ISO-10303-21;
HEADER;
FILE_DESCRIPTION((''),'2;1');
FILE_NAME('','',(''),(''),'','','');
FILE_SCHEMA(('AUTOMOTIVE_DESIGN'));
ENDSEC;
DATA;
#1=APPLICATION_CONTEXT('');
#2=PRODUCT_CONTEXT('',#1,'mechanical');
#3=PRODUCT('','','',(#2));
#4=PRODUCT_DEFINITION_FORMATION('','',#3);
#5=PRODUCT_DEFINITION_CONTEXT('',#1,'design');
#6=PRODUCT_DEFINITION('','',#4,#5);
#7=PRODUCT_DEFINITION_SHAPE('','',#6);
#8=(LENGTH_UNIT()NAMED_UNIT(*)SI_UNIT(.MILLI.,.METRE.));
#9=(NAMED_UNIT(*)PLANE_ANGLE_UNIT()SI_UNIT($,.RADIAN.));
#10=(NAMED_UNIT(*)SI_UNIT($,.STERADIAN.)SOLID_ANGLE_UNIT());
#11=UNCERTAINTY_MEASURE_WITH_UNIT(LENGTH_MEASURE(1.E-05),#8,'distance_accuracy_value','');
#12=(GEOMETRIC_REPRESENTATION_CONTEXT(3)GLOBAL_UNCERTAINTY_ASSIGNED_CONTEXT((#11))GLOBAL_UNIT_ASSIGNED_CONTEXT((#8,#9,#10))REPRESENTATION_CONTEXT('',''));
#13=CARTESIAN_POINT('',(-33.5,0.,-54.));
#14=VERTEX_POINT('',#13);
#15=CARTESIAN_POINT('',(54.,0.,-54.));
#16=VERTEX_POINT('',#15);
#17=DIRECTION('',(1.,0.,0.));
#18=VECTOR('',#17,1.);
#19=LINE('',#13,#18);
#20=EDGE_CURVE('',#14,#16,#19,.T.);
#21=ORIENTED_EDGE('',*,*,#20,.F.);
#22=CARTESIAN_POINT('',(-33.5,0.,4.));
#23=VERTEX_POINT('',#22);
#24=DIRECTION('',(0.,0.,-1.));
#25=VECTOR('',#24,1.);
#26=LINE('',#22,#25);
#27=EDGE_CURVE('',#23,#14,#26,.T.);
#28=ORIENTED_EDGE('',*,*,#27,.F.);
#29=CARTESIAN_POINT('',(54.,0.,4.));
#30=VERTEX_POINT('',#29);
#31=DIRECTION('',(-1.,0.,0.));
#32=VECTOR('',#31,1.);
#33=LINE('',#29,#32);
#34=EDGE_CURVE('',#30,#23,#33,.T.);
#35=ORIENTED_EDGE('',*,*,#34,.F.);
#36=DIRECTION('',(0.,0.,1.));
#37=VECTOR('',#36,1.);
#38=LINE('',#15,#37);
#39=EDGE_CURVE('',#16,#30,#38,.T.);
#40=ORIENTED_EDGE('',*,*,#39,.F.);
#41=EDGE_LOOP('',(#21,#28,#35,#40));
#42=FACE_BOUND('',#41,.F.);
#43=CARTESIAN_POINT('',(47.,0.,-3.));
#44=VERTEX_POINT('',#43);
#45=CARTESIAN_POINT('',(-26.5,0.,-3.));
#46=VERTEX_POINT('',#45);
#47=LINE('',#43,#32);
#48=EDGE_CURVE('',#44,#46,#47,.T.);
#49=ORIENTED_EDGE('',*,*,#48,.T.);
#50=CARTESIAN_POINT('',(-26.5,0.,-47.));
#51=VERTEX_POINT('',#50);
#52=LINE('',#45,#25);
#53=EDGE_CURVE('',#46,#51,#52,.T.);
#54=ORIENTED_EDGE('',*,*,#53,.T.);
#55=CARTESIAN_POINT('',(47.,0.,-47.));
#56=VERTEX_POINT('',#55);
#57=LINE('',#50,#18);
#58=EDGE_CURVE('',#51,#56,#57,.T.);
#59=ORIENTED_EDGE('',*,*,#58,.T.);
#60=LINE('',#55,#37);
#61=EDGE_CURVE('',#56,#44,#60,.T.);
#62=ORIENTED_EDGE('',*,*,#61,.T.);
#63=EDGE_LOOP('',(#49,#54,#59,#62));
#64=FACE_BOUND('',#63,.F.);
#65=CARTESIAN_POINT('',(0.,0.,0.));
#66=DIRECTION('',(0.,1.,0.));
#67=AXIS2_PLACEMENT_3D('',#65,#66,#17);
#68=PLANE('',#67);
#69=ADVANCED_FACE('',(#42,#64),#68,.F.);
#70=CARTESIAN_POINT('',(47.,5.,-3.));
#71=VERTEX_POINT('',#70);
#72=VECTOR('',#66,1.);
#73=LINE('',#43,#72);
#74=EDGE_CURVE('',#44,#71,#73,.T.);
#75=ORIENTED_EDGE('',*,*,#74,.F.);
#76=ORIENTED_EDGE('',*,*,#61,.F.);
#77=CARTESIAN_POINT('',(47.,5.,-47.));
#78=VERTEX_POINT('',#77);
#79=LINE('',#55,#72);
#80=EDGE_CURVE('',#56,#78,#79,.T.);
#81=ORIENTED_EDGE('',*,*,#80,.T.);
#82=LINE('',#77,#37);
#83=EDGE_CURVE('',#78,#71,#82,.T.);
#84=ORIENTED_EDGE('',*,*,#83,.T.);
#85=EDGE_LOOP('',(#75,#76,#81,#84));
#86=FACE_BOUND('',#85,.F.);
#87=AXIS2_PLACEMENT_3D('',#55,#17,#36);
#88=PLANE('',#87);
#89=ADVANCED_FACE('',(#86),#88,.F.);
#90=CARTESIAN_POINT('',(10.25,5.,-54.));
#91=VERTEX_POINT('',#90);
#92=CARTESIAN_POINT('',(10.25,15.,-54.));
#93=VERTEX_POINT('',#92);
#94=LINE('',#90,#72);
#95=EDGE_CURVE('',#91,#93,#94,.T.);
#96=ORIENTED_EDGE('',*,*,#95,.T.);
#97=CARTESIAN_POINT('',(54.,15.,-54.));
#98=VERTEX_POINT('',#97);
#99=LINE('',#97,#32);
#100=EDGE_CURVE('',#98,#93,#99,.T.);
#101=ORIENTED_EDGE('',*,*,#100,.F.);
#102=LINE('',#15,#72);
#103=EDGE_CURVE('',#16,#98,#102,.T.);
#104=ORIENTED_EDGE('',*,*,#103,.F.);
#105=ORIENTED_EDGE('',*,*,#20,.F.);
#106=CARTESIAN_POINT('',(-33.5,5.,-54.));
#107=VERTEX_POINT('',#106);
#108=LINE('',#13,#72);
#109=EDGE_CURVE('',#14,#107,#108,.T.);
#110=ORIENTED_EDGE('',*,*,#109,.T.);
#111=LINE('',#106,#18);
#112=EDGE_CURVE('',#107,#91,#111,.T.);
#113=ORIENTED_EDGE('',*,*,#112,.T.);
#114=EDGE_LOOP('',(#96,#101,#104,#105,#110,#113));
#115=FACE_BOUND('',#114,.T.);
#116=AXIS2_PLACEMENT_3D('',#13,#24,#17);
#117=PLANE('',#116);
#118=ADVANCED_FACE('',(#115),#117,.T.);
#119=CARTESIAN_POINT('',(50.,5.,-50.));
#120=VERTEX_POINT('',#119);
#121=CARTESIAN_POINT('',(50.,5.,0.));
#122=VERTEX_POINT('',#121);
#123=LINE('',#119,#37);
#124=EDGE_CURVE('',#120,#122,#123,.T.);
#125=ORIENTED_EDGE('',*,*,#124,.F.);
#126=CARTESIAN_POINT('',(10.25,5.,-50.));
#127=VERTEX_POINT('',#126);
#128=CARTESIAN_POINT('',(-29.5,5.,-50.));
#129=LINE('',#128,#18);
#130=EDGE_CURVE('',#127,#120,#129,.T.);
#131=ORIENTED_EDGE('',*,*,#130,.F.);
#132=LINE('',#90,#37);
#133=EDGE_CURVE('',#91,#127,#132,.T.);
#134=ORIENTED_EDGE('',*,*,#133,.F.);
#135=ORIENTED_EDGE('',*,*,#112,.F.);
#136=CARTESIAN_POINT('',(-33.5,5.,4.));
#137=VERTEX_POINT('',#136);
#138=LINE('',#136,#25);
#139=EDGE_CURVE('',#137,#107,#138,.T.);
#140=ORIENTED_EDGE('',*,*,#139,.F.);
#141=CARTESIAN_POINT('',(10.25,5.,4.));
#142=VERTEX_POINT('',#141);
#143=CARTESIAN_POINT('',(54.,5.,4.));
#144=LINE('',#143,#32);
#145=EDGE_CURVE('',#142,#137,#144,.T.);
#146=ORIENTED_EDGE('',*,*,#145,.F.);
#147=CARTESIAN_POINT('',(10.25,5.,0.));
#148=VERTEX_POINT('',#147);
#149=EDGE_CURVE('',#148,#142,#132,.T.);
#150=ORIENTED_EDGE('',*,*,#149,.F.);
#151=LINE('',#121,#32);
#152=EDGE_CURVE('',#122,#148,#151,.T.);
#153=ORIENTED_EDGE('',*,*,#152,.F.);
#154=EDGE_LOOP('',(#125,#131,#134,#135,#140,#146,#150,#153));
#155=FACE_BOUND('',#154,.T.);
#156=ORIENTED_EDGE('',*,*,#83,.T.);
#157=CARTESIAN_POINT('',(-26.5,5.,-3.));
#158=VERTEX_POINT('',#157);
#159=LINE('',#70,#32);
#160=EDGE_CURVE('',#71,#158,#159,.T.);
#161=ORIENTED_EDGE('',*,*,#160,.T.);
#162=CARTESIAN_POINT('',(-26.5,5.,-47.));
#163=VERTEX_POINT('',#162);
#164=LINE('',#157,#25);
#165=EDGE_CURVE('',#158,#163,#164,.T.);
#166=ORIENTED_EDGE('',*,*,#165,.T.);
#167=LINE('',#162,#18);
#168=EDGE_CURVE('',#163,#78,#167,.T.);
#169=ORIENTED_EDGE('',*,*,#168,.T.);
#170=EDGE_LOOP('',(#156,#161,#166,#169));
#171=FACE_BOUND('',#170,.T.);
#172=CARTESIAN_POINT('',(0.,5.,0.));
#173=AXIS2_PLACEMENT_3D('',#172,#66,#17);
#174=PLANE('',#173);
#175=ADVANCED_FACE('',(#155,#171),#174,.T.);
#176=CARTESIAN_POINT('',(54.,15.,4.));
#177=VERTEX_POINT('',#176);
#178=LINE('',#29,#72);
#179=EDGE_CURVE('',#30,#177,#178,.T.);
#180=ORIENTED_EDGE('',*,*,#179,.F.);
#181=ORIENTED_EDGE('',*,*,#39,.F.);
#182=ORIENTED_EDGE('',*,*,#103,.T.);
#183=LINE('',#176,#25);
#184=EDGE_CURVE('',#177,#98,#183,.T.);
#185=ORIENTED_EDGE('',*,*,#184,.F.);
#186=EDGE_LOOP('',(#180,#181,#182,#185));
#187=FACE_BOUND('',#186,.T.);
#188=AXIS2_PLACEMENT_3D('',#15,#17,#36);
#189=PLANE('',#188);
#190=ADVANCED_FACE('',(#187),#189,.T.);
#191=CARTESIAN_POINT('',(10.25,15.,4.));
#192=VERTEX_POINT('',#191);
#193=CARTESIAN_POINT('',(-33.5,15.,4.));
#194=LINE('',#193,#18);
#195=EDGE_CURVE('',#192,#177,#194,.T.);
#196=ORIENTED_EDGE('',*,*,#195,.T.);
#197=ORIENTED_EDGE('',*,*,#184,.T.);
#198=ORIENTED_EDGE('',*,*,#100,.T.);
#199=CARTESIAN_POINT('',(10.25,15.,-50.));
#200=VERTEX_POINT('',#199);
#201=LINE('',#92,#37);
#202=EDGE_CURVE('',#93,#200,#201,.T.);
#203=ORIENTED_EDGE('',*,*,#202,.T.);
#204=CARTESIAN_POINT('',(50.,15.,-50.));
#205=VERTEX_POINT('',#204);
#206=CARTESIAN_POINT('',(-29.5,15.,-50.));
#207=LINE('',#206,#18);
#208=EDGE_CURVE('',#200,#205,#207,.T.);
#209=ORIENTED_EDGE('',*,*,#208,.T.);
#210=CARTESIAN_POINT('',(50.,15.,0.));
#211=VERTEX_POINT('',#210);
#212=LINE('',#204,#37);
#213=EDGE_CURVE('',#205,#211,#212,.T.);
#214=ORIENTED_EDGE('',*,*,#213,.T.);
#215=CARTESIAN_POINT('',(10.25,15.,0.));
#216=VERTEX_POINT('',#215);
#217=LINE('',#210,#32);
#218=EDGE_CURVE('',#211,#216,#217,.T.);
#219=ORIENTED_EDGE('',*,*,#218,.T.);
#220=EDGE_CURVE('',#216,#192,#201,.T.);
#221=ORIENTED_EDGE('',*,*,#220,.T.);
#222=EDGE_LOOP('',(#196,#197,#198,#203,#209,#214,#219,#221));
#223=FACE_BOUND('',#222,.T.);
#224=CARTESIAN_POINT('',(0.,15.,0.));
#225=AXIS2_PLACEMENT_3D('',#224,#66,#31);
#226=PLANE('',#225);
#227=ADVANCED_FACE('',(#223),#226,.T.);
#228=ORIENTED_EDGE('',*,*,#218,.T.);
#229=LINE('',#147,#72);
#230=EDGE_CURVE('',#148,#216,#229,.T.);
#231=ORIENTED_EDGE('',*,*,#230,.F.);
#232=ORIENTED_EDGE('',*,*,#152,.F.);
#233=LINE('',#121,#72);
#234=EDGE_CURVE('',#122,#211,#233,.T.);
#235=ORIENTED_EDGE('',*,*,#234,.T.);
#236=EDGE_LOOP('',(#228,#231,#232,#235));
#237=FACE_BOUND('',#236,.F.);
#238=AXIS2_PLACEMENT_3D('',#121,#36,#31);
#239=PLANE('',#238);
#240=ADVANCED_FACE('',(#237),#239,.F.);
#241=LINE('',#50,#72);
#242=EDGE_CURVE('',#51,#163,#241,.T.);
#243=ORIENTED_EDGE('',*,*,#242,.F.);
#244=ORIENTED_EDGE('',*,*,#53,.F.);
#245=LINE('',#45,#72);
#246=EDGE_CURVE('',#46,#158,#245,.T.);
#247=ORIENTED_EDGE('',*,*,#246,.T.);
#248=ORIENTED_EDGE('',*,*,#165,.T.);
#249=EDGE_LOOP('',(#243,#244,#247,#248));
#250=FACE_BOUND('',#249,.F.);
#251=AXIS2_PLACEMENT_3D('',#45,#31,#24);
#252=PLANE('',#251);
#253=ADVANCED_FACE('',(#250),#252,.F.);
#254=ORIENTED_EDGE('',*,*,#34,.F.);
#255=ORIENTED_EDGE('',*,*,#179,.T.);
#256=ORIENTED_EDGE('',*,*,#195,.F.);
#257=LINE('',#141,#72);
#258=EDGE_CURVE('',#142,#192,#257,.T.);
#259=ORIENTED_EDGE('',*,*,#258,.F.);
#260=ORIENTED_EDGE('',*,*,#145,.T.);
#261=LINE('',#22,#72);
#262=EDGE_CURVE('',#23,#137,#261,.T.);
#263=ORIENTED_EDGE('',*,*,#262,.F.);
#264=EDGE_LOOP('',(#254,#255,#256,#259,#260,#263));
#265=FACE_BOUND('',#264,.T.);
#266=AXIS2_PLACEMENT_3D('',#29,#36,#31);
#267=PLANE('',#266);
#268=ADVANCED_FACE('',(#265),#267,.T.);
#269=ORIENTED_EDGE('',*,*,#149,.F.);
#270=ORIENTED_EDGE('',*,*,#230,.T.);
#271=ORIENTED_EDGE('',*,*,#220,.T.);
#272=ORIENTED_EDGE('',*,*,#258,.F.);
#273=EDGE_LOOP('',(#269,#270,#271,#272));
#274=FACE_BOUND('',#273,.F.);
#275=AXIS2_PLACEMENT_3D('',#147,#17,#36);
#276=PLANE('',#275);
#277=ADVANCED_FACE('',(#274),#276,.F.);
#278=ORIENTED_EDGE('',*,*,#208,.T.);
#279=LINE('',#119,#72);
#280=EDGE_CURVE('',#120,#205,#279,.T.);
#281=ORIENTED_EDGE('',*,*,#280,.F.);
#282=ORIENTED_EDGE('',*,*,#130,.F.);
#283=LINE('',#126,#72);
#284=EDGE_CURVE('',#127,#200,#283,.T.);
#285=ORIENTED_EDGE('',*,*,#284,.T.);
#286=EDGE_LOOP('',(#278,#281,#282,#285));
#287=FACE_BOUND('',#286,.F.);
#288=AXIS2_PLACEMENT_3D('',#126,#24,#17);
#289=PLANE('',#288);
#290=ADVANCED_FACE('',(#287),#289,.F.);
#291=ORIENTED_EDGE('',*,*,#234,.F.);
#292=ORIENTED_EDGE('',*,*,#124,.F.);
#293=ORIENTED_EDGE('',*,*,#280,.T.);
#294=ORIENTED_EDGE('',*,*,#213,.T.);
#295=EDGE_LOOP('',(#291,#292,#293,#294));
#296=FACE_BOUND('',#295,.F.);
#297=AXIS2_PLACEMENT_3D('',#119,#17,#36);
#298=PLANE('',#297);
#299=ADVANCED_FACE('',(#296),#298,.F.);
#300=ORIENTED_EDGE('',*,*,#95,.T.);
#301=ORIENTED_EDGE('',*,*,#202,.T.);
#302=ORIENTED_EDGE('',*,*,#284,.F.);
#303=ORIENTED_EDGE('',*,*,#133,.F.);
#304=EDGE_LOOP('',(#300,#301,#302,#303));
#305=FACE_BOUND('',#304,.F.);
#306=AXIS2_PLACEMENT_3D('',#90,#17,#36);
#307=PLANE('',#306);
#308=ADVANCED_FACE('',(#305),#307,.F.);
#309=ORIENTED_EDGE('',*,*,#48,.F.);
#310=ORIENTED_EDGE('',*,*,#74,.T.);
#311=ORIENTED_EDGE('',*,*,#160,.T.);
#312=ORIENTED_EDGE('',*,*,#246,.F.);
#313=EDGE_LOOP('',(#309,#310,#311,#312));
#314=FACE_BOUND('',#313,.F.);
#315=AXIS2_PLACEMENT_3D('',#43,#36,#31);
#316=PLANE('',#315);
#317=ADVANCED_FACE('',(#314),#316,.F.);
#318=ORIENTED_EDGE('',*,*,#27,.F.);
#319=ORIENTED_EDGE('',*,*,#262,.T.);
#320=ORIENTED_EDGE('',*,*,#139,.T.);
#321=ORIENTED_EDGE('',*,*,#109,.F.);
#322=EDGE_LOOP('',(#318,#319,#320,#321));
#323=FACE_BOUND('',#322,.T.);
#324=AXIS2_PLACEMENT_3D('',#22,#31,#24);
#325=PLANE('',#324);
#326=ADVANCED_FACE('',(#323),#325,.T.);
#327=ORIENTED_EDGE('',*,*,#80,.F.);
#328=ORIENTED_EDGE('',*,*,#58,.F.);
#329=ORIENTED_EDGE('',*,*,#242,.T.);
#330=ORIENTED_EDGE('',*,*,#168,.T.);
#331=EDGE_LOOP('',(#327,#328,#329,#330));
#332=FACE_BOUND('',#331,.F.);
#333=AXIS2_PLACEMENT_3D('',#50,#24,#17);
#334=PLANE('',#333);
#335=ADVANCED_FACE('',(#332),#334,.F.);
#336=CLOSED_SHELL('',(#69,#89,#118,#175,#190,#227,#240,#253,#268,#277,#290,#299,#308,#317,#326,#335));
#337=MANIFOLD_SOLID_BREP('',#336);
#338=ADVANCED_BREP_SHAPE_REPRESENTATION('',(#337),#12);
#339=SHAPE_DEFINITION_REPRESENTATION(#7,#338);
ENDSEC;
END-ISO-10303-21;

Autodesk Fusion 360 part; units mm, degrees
sketch "Sketch1" plane through (0, 0, 0) normal (0, 1, 0) x (1, 0, 0)
  line L0 (-29.5, 50) -> (50, 50)
  line L1 (50, 50) -> (50, 0)
  line L2 (50, 0) -> (-29.5, 0)
  line L3 (-29.5, 0) -> (-29.5, 50)
  line L4 (54, -4) -> (-33.5, -4)
  line L5 (-33.5, -4) -> (-33.5, 54)
  line L6 (-33.5, 54) -> (54, 54)
  line L7 (54, 54) -> (54, -4)
  line L8 (47, 3) -> (-26.5, 3)
  line L9 (-26.5, 3) -> (-26.5, 47)
  line L10 (-26.5, 47) -> (47, 47)
  line L11 (47, 47) -> (47, 3)
  dimension "d1" = 50
  dimension "d2" = 79.5
  dimension "d3" = -4
  dimension "d6" = 3
extrude "Extrude1" add sketch "Sketch1" along normal blind 5 contours L4 L5 L6 L7 makes body 1
extrude "Extrude2" add sketch "Sketch1" along normal blind 5 separate body contours L0 L1 L2 L3 makes body 2
sketch "Sketch2" plane through (0, 5, 0) normal (0, 1, 0) x (-1, 0, 0)
  line L0 (-50, 0) -> (29.5, 0)
  line L1 (29.5, 0) -> (29.5, -50)
  line L2 (29.5, -50) -> (-50, -50)
  line L3 (-50, -50) -> (-50, 0)
  line L4 (-54, -54) -> (33.5, -54)
  line L5 (33.5, -54) -> (33.5, 4)
  line L6 (33.5, 4) -> (-54, 4)
  line L7 (-54, 4) -> (-54, -54)
  line L8 (-10.25, -54) -> (-10.25, 4)
extrude "Extrude3" add sketch "Sketch2" along normal blind 10 contours L0 L2 L3 L4 L6 L7 L8 bodies 1 2
sketch "Sketch3" plane through (0, 5, 0) normal (0, 1, 0) x (-1, 0, 0)
  line L0 (-10.25, 4) -> (-10.25, 0)
  line L1 (-10.25, 0) -> (-50, 0)
  line L2 (-50, 0) -> (-50, -50)
  line L3 (-50, -50) -> (-10.25, -50)
  line L4 (-10.25, -50) -> (-10.25, -54)
  line L5 (-10.25, -54) -> (33.5, -54)
  line L6 (33.5, -54) -> (33.5, 4)
  line L7 (33.5, 4) -> (-10.25, 4)
  line L8 (26.5, -47) -> (-47, -47)
  line L9 (-47, -47) -> (-47, -3)
  line L10 (-47, -3) -> (26.5, -3)
  line L11 (26.5, -3) -> (26.5, -47)
  line L12 (-50, 0) -> (-50, -0.25)
  line L13 (-50, -0.25) -> (29, -0.25)
  line L14 (29, -0.25) -> (29, -49.75)
  line L15 (29, -49.75) -> (-50, -49.75)
  line L16 (-49.75, -79.25) -> (-49.75, -0.25)
  dimension "d11" = 0.25
  dimension "d12" = 49.5
